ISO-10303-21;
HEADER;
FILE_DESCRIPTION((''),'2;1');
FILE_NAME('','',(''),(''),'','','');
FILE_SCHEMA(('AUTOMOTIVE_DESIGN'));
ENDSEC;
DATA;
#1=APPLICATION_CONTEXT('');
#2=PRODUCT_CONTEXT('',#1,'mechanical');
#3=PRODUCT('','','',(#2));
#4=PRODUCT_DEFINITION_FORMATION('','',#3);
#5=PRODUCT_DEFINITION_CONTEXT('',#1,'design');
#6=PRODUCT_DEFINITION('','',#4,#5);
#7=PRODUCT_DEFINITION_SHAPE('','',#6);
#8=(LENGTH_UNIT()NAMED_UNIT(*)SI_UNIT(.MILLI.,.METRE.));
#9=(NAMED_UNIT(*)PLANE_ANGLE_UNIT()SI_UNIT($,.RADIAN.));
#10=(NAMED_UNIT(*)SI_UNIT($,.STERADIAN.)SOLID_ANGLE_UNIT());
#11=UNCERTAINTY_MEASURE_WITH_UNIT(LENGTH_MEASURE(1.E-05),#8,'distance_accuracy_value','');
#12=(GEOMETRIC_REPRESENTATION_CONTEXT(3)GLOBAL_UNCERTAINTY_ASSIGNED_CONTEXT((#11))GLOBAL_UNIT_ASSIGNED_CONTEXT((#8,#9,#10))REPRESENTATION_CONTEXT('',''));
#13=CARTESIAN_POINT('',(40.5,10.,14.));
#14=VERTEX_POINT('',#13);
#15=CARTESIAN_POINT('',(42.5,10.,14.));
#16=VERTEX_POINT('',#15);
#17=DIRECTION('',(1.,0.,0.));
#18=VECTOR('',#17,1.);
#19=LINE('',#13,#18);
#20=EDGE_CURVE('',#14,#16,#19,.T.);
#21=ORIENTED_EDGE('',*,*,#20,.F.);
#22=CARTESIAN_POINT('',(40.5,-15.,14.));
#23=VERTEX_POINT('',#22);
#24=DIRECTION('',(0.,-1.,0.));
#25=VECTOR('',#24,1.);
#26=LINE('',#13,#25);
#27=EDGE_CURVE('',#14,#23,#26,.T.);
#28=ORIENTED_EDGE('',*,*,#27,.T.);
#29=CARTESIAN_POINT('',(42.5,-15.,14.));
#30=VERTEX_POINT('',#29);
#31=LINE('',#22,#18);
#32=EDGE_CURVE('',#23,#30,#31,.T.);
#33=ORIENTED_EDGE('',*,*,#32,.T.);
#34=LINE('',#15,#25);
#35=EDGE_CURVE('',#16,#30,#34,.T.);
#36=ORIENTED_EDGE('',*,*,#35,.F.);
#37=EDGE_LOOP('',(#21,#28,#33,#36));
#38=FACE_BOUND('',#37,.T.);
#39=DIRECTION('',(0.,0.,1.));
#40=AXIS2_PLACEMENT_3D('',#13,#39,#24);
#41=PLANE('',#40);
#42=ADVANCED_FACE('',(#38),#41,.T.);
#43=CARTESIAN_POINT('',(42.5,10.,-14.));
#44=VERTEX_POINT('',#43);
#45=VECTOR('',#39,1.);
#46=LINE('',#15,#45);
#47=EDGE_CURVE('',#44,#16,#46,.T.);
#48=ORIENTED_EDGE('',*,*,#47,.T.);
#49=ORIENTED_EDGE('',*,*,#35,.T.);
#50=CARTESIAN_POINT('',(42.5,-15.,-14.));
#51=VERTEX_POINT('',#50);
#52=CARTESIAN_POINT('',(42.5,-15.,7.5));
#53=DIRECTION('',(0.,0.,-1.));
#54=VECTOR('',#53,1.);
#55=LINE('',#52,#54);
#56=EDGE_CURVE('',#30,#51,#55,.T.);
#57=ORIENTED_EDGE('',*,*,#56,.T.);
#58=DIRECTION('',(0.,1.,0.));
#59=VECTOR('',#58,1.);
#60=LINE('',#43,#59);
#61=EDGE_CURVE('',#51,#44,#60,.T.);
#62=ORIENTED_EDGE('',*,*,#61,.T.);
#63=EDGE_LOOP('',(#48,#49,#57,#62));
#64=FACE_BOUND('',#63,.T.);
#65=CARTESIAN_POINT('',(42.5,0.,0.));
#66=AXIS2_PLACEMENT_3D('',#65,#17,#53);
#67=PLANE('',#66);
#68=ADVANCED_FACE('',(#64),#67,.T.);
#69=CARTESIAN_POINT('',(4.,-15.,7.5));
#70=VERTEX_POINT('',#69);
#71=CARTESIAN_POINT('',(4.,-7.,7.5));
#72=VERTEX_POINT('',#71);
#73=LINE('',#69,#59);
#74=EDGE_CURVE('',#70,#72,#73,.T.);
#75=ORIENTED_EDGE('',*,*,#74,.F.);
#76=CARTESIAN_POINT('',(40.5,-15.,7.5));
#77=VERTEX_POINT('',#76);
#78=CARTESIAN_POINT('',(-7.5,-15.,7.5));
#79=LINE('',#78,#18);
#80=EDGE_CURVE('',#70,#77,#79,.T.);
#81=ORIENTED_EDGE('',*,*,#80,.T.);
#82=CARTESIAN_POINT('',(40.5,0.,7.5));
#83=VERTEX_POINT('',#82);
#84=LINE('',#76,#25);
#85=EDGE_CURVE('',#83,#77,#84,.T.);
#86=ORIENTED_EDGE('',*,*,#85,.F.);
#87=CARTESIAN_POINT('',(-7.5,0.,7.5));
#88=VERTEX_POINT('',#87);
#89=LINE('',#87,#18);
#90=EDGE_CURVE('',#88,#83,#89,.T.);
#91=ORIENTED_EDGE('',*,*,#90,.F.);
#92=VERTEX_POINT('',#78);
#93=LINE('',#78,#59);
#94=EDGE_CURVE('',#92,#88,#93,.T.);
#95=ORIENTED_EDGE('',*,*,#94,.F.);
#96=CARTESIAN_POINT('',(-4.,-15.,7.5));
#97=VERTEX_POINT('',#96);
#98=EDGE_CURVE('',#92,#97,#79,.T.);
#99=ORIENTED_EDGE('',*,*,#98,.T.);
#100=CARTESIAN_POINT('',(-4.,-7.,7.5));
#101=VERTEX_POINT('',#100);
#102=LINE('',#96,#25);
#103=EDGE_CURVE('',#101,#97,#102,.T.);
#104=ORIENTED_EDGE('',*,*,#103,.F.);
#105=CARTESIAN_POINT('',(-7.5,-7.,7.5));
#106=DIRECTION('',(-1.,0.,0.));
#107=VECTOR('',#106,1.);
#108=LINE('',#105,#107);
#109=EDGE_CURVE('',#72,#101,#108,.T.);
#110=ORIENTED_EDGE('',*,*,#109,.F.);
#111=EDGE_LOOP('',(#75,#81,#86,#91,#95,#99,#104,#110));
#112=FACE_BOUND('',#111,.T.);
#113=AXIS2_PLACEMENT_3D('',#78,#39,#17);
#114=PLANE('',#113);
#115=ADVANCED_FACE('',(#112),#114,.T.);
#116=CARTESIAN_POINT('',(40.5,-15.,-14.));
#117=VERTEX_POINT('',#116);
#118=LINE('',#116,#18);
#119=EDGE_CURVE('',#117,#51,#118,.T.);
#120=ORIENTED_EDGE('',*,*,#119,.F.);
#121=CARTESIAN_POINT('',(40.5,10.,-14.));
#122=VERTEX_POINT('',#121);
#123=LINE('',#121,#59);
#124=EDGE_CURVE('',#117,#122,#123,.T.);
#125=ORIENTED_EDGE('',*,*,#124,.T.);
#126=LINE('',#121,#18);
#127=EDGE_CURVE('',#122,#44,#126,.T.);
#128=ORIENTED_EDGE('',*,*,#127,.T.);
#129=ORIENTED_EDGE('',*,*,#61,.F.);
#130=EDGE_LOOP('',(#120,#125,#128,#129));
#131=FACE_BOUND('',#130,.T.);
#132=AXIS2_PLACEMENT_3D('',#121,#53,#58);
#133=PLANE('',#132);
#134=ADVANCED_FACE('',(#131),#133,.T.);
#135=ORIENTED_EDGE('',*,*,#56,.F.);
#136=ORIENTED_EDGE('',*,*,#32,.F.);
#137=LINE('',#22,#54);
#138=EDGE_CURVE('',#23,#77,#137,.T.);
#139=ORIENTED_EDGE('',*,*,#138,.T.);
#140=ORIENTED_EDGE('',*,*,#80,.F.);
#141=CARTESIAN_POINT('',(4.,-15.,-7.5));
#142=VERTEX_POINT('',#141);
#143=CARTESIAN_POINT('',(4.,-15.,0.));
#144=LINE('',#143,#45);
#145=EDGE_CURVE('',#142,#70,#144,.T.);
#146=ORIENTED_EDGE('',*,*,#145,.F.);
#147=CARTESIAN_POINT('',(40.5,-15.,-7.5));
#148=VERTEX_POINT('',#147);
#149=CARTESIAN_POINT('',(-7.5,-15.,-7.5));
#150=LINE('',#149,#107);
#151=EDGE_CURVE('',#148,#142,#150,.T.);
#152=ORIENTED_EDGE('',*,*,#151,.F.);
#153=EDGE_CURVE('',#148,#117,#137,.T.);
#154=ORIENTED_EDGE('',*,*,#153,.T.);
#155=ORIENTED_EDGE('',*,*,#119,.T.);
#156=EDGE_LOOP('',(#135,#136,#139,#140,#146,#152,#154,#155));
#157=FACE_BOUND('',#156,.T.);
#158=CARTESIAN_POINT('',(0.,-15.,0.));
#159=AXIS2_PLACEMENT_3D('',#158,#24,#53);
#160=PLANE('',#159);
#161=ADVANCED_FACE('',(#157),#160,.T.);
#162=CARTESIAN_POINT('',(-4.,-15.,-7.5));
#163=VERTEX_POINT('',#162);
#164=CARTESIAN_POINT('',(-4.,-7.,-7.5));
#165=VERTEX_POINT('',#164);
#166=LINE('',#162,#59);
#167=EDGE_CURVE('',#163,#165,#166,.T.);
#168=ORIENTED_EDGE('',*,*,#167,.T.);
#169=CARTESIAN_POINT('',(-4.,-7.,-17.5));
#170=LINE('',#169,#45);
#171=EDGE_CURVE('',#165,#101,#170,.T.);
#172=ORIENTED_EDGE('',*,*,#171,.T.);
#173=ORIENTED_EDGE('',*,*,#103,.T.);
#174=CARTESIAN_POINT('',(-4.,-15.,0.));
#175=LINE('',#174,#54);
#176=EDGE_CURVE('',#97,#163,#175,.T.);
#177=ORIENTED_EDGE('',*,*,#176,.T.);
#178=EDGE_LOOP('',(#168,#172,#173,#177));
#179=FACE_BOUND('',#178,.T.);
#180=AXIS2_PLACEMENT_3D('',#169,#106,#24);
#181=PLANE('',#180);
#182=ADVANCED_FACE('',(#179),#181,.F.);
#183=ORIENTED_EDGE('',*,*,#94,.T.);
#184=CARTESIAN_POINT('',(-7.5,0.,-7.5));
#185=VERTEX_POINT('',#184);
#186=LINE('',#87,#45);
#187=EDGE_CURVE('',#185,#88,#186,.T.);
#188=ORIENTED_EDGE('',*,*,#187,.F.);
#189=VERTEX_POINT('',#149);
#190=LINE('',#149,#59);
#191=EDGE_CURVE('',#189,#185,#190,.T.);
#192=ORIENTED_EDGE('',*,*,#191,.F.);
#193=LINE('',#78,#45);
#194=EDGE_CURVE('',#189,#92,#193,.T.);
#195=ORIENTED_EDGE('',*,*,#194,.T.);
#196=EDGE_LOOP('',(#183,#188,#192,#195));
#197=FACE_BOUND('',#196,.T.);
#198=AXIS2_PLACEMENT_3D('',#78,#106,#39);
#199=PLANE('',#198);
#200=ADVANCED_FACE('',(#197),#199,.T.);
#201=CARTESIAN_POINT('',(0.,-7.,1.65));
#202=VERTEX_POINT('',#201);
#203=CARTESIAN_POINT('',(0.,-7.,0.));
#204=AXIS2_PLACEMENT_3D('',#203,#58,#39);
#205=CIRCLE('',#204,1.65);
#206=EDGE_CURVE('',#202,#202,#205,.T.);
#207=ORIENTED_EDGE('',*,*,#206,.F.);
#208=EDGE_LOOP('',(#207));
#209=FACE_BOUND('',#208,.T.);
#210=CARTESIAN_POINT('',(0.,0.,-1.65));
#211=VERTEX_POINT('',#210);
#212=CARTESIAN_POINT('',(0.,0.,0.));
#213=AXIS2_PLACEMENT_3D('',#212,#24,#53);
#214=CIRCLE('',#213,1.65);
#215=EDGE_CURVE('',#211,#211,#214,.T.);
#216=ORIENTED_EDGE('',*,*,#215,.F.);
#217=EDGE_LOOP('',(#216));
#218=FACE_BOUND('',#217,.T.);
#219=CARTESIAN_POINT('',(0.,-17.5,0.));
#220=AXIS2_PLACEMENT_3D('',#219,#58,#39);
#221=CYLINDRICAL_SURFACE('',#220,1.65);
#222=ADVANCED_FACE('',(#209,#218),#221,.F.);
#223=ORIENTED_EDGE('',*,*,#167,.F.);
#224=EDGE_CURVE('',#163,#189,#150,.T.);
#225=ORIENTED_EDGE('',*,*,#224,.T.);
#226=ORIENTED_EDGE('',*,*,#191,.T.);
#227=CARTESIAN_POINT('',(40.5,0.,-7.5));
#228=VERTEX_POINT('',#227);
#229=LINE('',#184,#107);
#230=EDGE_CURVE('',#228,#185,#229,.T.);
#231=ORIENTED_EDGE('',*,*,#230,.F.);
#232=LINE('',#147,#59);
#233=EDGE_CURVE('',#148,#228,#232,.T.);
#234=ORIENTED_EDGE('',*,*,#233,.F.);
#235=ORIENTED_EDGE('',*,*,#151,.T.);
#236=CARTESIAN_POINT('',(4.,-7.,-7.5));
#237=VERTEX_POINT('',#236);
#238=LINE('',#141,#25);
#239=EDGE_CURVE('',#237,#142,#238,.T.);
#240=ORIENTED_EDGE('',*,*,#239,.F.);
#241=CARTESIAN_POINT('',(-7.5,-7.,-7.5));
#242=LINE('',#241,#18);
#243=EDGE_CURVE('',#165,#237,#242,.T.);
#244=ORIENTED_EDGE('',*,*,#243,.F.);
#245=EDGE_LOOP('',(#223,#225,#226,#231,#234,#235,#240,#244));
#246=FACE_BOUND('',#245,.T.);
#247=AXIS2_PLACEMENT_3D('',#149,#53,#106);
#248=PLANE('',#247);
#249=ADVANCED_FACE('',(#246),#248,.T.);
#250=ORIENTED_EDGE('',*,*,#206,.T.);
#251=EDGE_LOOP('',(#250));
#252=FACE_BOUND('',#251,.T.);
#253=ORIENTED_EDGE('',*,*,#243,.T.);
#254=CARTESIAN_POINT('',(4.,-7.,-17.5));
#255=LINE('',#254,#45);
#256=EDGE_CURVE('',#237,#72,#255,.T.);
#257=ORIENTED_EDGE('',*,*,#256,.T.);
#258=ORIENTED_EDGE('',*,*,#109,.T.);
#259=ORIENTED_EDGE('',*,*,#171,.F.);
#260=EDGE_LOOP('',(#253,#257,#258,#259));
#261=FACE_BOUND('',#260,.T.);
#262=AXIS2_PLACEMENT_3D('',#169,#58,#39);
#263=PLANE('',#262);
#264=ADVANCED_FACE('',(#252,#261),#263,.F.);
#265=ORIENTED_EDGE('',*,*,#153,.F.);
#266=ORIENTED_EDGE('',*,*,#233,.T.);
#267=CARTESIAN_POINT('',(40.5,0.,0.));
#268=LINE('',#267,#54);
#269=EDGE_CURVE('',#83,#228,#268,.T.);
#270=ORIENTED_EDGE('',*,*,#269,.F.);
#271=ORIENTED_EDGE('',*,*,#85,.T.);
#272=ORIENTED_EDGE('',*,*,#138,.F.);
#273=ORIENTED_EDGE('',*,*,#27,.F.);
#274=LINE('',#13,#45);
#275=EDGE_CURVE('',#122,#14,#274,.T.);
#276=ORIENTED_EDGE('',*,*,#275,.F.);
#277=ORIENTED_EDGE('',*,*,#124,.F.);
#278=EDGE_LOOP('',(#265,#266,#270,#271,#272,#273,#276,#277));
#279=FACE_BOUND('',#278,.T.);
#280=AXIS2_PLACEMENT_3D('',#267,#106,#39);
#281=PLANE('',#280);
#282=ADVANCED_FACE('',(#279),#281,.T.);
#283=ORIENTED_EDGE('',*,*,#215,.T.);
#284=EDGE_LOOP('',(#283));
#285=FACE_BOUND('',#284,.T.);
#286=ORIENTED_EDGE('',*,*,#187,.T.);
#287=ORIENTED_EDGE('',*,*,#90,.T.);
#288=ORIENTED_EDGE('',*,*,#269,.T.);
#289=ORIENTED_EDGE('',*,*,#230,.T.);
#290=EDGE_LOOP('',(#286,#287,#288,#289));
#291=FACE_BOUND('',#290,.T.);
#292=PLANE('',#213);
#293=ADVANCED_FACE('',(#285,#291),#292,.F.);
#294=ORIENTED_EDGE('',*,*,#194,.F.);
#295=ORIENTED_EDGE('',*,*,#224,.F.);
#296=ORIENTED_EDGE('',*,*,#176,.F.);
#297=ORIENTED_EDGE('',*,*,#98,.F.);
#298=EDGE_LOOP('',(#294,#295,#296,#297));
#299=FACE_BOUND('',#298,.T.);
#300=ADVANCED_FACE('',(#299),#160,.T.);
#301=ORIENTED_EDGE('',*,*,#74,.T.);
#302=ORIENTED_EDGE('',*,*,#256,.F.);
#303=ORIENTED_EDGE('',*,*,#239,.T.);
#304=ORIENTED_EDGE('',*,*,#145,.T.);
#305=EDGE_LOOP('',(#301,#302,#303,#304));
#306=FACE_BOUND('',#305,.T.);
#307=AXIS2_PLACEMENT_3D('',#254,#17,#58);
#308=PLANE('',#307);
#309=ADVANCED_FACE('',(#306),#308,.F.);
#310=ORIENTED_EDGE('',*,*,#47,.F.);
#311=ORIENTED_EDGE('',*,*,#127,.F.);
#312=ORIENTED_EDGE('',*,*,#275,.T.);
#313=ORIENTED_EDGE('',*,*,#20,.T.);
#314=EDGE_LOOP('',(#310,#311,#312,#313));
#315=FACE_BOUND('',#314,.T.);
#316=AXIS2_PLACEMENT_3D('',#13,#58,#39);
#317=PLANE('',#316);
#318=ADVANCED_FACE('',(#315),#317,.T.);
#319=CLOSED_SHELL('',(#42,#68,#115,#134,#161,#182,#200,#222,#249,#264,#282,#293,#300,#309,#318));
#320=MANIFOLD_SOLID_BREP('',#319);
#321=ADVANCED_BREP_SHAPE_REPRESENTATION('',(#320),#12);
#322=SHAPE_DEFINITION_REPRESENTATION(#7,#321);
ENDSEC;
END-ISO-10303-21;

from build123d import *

# Parameters (mm, degrees)
SKETCH_1_W          = 15
SKETCH_1_H          = 15
EXTRUDE_1_DEPTH     = 15
SKETCH_2_W          = 8
SKETCH_2_H          = 8
CUT_EXTRUDE_1_DEPTH = 17.5
SKETCH_3_R          = 1.65
CUT_EXTRUDE_2_DEPTH = 17.5
SKETCH_5_W          = 15
SKETCH_5_H          = 15
EXTRUDE_2_DEPTH     = 35
SKETCH_6_W          = 28
SKETCH_6_H          = 25
EXTRUDE_3_DEPTH     = 2


with BuildPart() as part:
    # 草图1 → 凸台-拉伸1 (new body)
    with BuildSketch(Plane(origin=(0, 0, 0), x_dir=(1, 0, 0), z_dir=(0, 1, 0))):
        Rectangle(SKETCH_1_W, SKETCH_1_H)
    extrude(amount=-EXTRUDE_1_DEPTH)

    # 草图2 → 切除-拉伸1 (cut, symmetric)
    with BuildSketch(Plane.XY):
        with Locations((0, -11)):
            Rectangle(SKETCH_2_W, SKETCH_2_H)
    extrude(amount=CUT_EXTRUDE_1_DEPTH, both=True, mode=Mode.SUBTRACT)

    # 草图3 → 切除-拉伸2 (cut, symmetric)
    with BuildSketch(Plane(origin=(0, 0, 0), x_dir=(1, 0, 0), z_dir=(0, 1, 0))):
        with Locations(Location((0, 0, 0), (0, 0, 270))):
            Circle(SKETCH_3_R)
    extrude(amount=CUT_EXTRUDE_2_DEPTH, both=True, mode=Mode.SUBTRACT)

    # 草图5 → 凸台-拉伸2 (add)
    with BuildSketch(Plane(origin=(7.5, 0, 0), x_dir=(0, 0, -1), z_dir=(1, 0, 0))):
        with Locations((0, -7.5)):
            Rectangle(SKETCH_5_W, SKETCH_5_H)
    extrude(amount=EXTRUDE_2_DEPTH)

    # 草图6 → 凸台-拉伸3 (add)
    with BuildSketch(Plane(origin=(42.5, 0, 0), x_dir=(0, 0, -1), z_dir=(1, 0, 0))):
        with Locations((0, -2.5)):
            Rectangle(SKETCH_6_W, SKETCH_6_H)
    extrude(amount=-EXTRUDE_3_DEPTH)


solid = part.part
